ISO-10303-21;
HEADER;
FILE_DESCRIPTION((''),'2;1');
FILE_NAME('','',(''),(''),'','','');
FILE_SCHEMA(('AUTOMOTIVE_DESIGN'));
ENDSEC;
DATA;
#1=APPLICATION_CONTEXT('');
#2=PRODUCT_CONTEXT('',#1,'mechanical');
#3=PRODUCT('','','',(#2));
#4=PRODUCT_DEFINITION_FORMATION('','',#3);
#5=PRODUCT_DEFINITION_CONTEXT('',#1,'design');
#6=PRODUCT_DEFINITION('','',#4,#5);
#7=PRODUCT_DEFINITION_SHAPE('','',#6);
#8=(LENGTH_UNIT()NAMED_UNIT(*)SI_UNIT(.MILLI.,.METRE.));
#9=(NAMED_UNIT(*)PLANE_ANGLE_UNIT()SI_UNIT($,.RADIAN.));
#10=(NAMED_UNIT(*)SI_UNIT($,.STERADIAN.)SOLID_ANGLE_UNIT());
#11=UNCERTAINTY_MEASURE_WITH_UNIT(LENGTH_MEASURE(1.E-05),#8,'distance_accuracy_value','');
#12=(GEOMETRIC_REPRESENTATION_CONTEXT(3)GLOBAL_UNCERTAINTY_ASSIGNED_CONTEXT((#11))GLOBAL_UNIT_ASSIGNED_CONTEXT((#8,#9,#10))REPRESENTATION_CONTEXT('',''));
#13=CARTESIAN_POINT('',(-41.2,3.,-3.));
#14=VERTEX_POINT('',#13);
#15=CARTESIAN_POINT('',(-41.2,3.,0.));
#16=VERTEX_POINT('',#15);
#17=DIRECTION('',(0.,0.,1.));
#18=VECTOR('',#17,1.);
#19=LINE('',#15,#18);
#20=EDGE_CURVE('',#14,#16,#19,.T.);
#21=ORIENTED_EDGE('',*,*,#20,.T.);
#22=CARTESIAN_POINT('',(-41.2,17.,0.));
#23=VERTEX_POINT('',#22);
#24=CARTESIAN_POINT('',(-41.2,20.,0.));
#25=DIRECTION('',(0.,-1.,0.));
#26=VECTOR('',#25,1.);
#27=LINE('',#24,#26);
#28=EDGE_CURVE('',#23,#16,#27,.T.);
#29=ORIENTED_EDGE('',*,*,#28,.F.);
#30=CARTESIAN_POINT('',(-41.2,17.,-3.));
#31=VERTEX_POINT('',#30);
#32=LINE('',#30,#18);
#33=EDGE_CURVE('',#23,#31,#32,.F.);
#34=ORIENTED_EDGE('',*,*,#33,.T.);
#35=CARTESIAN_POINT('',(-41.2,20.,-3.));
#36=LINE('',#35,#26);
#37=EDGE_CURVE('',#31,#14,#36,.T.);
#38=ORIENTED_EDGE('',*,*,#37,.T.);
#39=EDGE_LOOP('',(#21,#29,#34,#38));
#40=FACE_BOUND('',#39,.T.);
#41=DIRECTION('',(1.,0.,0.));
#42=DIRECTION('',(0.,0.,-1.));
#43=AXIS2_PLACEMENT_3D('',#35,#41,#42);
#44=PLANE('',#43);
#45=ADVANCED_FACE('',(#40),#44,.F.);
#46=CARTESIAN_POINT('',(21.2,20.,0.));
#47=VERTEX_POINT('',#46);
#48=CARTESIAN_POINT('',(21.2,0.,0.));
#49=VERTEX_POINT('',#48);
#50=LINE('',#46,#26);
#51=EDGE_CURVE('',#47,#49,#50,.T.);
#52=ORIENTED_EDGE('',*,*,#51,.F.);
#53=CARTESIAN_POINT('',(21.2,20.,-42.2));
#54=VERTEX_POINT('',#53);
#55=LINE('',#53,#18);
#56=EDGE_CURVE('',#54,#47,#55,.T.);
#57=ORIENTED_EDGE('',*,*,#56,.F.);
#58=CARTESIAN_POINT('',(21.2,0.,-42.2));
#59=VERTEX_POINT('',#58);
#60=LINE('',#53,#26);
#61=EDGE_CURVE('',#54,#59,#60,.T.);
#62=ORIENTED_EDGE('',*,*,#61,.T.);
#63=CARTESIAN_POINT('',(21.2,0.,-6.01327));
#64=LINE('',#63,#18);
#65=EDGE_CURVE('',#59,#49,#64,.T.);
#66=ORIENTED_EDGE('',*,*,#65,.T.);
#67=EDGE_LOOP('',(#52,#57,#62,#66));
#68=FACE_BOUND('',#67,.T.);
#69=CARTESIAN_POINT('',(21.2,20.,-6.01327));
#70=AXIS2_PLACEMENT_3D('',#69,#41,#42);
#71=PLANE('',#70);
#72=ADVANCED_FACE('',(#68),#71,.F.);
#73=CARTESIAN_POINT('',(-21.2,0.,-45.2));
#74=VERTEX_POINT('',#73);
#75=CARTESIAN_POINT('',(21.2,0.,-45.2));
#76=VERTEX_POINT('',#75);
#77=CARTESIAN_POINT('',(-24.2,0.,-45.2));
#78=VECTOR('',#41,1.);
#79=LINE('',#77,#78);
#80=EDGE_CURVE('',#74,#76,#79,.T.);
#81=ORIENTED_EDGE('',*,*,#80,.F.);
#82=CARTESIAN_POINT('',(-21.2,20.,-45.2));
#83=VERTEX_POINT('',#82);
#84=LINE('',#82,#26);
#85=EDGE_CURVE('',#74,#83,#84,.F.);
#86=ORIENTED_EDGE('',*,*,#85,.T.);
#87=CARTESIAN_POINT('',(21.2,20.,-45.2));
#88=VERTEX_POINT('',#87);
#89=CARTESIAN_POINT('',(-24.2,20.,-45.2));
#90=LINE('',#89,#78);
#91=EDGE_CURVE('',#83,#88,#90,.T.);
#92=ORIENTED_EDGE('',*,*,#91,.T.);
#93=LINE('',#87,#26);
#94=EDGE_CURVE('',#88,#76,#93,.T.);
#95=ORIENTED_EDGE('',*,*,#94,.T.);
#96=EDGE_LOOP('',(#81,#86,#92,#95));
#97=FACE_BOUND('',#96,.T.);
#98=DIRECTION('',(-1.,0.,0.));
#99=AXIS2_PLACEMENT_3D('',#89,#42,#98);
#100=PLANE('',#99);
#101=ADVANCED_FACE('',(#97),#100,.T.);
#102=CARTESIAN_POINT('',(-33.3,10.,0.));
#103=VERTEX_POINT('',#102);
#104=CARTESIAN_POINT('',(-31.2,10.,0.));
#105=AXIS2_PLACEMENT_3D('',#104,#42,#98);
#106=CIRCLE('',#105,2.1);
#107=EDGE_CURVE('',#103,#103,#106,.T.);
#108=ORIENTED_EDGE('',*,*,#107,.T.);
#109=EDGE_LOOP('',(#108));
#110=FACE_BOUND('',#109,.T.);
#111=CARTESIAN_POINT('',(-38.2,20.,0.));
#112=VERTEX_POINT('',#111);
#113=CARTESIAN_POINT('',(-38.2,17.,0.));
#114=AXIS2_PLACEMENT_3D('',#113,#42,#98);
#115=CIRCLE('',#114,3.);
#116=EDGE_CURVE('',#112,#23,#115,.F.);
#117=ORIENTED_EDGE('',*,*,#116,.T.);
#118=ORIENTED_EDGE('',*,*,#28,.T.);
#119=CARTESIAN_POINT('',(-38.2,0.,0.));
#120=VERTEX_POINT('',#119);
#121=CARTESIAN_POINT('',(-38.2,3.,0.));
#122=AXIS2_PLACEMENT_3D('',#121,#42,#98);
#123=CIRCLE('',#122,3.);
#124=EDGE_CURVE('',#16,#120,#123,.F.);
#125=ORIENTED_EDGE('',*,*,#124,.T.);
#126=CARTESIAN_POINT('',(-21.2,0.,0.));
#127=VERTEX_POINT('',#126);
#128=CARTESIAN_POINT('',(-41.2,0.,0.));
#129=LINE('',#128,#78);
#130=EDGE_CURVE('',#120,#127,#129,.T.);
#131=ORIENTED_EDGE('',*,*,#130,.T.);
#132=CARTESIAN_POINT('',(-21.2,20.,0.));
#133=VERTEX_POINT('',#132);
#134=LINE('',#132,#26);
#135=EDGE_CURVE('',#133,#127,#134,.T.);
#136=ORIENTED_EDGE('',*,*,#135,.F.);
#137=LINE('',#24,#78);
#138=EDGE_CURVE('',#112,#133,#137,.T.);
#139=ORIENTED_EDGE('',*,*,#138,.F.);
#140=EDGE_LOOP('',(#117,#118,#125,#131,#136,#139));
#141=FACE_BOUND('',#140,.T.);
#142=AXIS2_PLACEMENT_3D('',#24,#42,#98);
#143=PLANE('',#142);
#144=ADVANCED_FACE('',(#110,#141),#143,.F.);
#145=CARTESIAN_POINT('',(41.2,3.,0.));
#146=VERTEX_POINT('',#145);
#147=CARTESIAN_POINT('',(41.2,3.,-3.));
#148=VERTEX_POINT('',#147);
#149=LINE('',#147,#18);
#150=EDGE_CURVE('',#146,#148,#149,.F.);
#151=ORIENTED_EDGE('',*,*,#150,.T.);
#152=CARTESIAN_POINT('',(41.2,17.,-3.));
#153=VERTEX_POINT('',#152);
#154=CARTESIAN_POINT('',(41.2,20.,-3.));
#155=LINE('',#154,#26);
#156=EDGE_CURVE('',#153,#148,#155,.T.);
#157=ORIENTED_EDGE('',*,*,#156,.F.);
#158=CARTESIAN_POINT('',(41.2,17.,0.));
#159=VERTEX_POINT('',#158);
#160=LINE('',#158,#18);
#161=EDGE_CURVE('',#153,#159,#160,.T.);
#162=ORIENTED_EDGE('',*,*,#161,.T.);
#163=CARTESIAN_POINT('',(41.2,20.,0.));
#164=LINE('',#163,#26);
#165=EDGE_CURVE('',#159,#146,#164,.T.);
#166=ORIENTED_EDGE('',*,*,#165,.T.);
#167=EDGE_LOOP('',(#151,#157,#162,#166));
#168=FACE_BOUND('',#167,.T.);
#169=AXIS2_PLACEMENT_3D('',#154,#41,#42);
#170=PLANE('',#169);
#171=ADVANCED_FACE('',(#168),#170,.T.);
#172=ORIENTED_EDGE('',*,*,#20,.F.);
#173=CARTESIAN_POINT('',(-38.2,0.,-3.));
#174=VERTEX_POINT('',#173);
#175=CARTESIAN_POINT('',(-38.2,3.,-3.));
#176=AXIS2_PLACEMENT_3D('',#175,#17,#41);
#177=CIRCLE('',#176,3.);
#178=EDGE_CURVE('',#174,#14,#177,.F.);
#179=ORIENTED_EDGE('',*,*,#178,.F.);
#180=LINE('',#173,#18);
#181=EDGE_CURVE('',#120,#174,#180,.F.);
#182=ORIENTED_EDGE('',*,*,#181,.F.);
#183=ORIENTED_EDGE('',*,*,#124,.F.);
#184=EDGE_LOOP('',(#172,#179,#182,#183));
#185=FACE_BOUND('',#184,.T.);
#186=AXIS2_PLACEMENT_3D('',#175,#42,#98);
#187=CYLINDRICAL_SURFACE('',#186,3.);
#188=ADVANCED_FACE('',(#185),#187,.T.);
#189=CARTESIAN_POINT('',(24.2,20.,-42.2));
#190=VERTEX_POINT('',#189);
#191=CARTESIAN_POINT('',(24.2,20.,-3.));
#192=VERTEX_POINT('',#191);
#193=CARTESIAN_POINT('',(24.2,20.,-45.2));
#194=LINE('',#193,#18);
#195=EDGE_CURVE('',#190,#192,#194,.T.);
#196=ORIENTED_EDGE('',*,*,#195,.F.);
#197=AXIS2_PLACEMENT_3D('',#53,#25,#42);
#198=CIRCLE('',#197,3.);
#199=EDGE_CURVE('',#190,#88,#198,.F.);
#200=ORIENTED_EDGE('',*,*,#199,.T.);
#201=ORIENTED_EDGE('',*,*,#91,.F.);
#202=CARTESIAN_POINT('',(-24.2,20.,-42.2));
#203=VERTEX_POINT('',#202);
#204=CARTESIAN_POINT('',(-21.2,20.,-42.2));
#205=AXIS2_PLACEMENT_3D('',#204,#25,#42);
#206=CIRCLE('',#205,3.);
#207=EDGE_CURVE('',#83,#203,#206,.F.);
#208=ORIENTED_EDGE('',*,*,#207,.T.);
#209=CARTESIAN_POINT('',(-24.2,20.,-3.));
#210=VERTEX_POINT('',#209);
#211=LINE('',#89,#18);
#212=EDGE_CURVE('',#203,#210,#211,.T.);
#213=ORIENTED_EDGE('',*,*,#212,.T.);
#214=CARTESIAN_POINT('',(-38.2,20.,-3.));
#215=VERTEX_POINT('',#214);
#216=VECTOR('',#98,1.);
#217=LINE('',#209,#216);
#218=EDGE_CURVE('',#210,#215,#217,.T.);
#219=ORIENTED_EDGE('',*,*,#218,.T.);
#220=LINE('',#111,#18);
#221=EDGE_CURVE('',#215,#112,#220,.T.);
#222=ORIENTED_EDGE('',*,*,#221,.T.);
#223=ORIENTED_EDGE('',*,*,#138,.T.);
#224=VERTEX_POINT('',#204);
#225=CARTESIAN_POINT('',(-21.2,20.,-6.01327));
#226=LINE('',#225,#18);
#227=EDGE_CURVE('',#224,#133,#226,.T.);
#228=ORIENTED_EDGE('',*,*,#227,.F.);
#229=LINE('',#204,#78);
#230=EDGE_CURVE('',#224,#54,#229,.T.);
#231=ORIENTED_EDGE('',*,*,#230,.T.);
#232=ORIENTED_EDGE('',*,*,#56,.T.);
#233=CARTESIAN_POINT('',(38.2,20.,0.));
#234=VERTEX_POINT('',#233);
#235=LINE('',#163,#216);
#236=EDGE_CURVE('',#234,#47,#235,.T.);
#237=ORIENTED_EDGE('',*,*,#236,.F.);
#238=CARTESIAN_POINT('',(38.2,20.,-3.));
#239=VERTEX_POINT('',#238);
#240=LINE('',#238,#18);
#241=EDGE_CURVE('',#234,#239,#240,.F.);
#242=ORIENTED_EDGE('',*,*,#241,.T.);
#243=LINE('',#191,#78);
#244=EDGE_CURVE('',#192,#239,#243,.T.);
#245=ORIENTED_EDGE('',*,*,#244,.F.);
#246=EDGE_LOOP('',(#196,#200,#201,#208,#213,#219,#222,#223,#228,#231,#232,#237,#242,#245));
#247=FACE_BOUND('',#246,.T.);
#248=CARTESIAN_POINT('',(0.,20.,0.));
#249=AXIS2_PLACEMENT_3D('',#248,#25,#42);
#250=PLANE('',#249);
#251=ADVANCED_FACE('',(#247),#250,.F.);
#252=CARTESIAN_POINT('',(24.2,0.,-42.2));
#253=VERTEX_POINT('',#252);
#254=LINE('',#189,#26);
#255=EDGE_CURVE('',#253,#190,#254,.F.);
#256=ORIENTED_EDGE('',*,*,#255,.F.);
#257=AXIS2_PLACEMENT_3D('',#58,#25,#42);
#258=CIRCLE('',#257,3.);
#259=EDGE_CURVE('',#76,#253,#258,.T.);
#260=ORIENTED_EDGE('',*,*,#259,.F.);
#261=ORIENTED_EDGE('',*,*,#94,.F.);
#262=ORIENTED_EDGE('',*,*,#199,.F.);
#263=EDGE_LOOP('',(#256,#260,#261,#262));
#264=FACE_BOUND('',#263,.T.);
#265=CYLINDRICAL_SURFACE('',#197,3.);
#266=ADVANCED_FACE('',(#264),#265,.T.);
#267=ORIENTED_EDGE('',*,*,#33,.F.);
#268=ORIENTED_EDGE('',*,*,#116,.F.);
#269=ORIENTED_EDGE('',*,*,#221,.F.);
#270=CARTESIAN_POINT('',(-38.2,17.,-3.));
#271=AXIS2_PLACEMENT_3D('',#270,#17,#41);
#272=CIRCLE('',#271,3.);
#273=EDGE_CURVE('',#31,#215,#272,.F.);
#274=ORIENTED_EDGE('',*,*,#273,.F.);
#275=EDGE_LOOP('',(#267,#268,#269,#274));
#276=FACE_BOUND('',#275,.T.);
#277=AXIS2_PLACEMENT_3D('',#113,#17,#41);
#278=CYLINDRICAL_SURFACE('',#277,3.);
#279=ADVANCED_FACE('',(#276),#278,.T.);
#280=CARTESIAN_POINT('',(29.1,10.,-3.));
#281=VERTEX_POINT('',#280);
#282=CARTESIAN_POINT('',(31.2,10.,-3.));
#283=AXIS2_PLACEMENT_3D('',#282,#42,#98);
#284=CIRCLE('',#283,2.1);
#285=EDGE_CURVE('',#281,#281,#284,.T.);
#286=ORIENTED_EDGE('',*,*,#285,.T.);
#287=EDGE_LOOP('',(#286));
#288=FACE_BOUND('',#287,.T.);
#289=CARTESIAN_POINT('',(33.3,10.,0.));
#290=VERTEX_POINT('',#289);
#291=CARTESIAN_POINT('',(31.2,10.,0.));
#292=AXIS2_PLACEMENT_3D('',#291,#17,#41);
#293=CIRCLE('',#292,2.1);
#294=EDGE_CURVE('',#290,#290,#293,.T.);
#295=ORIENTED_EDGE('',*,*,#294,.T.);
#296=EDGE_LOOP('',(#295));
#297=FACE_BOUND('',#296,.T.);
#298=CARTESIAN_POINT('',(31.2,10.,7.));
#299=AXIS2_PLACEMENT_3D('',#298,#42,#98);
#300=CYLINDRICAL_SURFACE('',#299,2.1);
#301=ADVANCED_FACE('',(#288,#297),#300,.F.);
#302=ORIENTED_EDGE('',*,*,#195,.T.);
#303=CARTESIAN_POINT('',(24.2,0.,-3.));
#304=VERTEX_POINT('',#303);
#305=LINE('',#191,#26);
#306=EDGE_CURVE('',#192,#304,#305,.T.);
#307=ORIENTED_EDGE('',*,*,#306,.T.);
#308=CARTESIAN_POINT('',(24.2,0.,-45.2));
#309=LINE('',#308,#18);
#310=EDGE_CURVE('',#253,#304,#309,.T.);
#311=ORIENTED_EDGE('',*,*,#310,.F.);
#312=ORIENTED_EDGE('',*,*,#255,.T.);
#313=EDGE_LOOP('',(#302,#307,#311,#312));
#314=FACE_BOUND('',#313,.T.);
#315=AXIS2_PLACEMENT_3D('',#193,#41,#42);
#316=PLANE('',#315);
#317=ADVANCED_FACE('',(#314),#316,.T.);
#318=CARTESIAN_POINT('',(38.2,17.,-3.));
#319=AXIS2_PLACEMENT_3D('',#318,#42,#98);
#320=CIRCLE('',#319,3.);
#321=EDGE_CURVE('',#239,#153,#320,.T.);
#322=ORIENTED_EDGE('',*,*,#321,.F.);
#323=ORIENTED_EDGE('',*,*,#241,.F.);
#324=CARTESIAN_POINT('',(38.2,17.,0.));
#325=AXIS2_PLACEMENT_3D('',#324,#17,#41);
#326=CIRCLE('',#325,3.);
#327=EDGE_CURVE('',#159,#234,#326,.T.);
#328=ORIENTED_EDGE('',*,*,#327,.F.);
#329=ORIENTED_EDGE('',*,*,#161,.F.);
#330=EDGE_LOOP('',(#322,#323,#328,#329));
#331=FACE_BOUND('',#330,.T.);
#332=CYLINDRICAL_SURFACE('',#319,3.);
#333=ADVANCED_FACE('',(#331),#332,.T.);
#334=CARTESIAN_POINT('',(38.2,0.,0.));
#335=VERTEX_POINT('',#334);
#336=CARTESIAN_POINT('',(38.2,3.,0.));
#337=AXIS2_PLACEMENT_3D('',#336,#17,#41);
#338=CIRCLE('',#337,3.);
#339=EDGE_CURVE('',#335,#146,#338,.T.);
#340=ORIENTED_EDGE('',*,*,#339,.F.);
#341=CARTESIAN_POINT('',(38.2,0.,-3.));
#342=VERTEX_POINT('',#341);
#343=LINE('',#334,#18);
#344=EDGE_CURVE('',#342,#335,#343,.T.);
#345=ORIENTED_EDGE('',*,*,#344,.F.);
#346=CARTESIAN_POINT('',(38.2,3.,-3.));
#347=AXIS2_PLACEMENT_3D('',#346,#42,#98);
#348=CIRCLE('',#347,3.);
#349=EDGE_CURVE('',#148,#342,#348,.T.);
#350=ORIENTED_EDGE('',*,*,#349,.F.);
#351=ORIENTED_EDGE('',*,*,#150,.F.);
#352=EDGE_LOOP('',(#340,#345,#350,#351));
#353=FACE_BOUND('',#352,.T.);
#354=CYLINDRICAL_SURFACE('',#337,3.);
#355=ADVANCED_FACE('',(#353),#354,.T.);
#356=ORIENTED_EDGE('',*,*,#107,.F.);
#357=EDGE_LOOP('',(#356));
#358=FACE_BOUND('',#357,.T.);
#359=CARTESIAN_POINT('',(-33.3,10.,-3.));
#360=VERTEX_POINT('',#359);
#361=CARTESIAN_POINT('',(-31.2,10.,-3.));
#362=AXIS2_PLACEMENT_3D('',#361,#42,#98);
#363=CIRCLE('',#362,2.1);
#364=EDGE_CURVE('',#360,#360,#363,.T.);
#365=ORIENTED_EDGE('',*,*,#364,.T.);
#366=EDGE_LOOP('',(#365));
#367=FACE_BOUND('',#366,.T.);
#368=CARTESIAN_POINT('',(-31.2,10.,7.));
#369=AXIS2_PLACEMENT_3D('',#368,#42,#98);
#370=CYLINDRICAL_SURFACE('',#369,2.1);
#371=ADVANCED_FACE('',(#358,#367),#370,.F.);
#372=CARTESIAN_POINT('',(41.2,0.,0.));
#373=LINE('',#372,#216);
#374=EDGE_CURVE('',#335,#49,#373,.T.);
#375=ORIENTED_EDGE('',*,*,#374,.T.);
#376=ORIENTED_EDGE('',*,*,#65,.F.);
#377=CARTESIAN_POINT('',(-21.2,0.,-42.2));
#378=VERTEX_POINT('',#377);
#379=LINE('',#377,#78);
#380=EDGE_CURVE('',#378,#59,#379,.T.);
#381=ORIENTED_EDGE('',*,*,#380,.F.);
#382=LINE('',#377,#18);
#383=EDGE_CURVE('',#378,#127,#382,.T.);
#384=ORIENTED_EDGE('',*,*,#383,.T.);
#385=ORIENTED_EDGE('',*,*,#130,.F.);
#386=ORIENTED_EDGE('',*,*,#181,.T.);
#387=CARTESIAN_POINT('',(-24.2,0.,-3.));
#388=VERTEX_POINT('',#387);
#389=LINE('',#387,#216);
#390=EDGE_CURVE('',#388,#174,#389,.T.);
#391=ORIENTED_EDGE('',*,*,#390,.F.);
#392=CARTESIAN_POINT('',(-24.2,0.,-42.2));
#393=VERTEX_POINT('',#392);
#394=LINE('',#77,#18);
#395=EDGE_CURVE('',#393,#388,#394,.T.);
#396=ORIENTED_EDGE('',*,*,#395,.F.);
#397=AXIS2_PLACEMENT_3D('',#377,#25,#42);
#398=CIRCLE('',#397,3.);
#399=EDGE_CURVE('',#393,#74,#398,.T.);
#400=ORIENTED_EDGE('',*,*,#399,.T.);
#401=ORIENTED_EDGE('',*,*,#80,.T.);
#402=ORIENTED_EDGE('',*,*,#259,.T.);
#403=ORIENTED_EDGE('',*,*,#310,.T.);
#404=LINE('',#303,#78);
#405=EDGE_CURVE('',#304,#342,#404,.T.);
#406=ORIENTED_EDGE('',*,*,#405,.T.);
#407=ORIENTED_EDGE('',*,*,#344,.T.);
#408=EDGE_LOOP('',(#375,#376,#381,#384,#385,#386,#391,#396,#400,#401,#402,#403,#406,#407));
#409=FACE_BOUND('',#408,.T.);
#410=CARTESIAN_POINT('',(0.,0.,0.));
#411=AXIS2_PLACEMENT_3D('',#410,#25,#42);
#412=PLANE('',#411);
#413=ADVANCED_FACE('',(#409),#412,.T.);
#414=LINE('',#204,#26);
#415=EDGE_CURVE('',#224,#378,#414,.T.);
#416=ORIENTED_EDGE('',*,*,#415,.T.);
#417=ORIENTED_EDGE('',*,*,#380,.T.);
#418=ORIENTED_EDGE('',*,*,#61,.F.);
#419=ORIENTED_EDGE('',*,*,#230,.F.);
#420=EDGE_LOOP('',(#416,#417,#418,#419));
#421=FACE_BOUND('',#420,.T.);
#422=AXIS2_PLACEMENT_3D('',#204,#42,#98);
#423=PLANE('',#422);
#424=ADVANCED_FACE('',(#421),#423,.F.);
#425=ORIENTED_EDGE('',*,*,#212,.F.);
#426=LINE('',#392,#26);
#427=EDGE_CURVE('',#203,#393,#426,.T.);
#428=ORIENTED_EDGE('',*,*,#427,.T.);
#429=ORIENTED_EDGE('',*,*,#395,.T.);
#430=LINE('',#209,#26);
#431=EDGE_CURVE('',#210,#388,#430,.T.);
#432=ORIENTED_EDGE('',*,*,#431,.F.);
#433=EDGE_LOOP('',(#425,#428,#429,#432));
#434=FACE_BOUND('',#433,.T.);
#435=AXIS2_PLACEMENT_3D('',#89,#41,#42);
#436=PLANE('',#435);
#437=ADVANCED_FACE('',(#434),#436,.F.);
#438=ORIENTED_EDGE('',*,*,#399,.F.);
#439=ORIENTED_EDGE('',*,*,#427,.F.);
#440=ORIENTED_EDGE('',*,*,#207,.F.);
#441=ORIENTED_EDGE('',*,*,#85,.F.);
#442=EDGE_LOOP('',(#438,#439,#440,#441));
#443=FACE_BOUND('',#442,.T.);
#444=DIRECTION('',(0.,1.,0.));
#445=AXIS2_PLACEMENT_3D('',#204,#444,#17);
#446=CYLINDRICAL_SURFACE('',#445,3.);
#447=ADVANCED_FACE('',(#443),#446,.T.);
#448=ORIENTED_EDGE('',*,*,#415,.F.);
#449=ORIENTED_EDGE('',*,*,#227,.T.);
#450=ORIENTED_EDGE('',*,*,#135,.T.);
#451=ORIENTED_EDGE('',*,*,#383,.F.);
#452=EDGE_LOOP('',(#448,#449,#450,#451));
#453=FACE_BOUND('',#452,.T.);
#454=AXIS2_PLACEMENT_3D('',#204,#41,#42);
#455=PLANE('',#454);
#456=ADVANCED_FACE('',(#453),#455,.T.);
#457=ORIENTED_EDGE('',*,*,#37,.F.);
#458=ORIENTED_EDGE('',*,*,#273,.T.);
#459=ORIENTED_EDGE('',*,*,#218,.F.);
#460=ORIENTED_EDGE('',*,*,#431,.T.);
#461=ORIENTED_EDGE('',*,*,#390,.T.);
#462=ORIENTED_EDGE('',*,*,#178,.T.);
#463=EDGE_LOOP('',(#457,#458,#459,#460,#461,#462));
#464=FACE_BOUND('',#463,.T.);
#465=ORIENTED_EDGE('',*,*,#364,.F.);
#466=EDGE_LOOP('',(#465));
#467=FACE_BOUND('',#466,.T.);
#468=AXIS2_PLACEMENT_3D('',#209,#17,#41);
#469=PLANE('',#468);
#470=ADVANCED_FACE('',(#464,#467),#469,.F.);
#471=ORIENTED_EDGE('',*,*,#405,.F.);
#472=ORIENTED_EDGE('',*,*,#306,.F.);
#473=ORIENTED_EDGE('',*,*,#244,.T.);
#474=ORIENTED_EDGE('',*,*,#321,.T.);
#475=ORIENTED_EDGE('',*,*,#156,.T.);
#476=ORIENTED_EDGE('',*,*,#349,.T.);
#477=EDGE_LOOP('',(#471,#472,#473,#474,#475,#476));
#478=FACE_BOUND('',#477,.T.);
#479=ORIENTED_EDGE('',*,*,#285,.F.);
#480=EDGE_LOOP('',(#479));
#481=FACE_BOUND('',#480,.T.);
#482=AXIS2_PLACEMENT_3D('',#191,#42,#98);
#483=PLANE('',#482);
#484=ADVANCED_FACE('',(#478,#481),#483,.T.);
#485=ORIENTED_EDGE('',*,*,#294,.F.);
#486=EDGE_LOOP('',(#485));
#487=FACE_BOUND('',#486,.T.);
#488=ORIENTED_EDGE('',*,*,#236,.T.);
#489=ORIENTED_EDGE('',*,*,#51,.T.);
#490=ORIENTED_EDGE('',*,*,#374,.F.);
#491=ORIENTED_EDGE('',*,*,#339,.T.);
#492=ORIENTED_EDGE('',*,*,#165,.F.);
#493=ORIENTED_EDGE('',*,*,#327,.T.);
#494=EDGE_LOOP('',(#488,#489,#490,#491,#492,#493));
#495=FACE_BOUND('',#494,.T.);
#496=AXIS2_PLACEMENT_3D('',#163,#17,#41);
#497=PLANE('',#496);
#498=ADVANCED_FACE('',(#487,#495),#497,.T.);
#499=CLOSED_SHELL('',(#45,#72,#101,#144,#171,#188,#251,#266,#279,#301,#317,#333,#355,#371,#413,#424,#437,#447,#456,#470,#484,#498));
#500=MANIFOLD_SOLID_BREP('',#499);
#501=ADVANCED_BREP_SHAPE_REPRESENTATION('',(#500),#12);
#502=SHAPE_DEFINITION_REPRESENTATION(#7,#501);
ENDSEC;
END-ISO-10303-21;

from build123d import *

# Parameters (mm, degrees)
EXTRUDE_1_DEPTH     = 20
FILLET_1_R          = 3
FILLET_2_R          = 3
SKETCH_3_R          = 2.1
CUT_EXTRUDE_1_DEPTH = 10


with BuildPart() as part:
    # 草图1 → 凸台-拉伸1 (new body)
    with BuildSketch(Plane(origin=(0, 0, 0), x_dir=(1, 0, 0), z_dir=(0, 1, 0))):
        Polygon((-21.2, 6.013269655), (-21.2, 0), (-41.2, 0), (-41.2, 3), (-24.2, 3), (-24.2, 45.2), (24.2, 45.2), (24.2, 3), (41.2, 3), (41.2, 0), (21.2, 0), (21.2, 6.013269655), (21.2, 42.2), (-21.2, 42.2), align=None)
    extrude(amount=EXTRUDE_1_DEPTH)

    # 圆角1
    fillet_1_edges = [part.edges().sort_by_distance(p)[0] for p in [
        (-24.2, 10, -45.2),
        (24.2, 10, -45.2),
    ]]
    fillet(fillet_1_edges, radius=FILLET_1_R)

    # 圆角2
    fillet_2_edges = [part.edges().sort_by_distance(p)[0] for p in [
        (-41.2, 20, -1.5),
        (41.2, 0, -1.5),
        (-41.2, 0, -1.5),
        (41.2, 20, -1.5),
    ]]
    fillet(fillet_2_edges, radius=FILLET_2_R)

    # 草图3 → 切除-拉伸1 (cut)
    with BuildSketch(Plane(origin=(0, 0, -3), x_dir=(-1, 0, 0), z_dir=(0, 0, -1))):
        with Locations((31.2, 10)):
            Circle(SKETCH_3_R)
        with Locations((-31.2, 10)):
            Circle(SKETCH_3_R)
    extrude(amount=-CUT_EXTRUDE_1_DEPTH, mode=Mode.SUBTRACT)


solid = part.part
